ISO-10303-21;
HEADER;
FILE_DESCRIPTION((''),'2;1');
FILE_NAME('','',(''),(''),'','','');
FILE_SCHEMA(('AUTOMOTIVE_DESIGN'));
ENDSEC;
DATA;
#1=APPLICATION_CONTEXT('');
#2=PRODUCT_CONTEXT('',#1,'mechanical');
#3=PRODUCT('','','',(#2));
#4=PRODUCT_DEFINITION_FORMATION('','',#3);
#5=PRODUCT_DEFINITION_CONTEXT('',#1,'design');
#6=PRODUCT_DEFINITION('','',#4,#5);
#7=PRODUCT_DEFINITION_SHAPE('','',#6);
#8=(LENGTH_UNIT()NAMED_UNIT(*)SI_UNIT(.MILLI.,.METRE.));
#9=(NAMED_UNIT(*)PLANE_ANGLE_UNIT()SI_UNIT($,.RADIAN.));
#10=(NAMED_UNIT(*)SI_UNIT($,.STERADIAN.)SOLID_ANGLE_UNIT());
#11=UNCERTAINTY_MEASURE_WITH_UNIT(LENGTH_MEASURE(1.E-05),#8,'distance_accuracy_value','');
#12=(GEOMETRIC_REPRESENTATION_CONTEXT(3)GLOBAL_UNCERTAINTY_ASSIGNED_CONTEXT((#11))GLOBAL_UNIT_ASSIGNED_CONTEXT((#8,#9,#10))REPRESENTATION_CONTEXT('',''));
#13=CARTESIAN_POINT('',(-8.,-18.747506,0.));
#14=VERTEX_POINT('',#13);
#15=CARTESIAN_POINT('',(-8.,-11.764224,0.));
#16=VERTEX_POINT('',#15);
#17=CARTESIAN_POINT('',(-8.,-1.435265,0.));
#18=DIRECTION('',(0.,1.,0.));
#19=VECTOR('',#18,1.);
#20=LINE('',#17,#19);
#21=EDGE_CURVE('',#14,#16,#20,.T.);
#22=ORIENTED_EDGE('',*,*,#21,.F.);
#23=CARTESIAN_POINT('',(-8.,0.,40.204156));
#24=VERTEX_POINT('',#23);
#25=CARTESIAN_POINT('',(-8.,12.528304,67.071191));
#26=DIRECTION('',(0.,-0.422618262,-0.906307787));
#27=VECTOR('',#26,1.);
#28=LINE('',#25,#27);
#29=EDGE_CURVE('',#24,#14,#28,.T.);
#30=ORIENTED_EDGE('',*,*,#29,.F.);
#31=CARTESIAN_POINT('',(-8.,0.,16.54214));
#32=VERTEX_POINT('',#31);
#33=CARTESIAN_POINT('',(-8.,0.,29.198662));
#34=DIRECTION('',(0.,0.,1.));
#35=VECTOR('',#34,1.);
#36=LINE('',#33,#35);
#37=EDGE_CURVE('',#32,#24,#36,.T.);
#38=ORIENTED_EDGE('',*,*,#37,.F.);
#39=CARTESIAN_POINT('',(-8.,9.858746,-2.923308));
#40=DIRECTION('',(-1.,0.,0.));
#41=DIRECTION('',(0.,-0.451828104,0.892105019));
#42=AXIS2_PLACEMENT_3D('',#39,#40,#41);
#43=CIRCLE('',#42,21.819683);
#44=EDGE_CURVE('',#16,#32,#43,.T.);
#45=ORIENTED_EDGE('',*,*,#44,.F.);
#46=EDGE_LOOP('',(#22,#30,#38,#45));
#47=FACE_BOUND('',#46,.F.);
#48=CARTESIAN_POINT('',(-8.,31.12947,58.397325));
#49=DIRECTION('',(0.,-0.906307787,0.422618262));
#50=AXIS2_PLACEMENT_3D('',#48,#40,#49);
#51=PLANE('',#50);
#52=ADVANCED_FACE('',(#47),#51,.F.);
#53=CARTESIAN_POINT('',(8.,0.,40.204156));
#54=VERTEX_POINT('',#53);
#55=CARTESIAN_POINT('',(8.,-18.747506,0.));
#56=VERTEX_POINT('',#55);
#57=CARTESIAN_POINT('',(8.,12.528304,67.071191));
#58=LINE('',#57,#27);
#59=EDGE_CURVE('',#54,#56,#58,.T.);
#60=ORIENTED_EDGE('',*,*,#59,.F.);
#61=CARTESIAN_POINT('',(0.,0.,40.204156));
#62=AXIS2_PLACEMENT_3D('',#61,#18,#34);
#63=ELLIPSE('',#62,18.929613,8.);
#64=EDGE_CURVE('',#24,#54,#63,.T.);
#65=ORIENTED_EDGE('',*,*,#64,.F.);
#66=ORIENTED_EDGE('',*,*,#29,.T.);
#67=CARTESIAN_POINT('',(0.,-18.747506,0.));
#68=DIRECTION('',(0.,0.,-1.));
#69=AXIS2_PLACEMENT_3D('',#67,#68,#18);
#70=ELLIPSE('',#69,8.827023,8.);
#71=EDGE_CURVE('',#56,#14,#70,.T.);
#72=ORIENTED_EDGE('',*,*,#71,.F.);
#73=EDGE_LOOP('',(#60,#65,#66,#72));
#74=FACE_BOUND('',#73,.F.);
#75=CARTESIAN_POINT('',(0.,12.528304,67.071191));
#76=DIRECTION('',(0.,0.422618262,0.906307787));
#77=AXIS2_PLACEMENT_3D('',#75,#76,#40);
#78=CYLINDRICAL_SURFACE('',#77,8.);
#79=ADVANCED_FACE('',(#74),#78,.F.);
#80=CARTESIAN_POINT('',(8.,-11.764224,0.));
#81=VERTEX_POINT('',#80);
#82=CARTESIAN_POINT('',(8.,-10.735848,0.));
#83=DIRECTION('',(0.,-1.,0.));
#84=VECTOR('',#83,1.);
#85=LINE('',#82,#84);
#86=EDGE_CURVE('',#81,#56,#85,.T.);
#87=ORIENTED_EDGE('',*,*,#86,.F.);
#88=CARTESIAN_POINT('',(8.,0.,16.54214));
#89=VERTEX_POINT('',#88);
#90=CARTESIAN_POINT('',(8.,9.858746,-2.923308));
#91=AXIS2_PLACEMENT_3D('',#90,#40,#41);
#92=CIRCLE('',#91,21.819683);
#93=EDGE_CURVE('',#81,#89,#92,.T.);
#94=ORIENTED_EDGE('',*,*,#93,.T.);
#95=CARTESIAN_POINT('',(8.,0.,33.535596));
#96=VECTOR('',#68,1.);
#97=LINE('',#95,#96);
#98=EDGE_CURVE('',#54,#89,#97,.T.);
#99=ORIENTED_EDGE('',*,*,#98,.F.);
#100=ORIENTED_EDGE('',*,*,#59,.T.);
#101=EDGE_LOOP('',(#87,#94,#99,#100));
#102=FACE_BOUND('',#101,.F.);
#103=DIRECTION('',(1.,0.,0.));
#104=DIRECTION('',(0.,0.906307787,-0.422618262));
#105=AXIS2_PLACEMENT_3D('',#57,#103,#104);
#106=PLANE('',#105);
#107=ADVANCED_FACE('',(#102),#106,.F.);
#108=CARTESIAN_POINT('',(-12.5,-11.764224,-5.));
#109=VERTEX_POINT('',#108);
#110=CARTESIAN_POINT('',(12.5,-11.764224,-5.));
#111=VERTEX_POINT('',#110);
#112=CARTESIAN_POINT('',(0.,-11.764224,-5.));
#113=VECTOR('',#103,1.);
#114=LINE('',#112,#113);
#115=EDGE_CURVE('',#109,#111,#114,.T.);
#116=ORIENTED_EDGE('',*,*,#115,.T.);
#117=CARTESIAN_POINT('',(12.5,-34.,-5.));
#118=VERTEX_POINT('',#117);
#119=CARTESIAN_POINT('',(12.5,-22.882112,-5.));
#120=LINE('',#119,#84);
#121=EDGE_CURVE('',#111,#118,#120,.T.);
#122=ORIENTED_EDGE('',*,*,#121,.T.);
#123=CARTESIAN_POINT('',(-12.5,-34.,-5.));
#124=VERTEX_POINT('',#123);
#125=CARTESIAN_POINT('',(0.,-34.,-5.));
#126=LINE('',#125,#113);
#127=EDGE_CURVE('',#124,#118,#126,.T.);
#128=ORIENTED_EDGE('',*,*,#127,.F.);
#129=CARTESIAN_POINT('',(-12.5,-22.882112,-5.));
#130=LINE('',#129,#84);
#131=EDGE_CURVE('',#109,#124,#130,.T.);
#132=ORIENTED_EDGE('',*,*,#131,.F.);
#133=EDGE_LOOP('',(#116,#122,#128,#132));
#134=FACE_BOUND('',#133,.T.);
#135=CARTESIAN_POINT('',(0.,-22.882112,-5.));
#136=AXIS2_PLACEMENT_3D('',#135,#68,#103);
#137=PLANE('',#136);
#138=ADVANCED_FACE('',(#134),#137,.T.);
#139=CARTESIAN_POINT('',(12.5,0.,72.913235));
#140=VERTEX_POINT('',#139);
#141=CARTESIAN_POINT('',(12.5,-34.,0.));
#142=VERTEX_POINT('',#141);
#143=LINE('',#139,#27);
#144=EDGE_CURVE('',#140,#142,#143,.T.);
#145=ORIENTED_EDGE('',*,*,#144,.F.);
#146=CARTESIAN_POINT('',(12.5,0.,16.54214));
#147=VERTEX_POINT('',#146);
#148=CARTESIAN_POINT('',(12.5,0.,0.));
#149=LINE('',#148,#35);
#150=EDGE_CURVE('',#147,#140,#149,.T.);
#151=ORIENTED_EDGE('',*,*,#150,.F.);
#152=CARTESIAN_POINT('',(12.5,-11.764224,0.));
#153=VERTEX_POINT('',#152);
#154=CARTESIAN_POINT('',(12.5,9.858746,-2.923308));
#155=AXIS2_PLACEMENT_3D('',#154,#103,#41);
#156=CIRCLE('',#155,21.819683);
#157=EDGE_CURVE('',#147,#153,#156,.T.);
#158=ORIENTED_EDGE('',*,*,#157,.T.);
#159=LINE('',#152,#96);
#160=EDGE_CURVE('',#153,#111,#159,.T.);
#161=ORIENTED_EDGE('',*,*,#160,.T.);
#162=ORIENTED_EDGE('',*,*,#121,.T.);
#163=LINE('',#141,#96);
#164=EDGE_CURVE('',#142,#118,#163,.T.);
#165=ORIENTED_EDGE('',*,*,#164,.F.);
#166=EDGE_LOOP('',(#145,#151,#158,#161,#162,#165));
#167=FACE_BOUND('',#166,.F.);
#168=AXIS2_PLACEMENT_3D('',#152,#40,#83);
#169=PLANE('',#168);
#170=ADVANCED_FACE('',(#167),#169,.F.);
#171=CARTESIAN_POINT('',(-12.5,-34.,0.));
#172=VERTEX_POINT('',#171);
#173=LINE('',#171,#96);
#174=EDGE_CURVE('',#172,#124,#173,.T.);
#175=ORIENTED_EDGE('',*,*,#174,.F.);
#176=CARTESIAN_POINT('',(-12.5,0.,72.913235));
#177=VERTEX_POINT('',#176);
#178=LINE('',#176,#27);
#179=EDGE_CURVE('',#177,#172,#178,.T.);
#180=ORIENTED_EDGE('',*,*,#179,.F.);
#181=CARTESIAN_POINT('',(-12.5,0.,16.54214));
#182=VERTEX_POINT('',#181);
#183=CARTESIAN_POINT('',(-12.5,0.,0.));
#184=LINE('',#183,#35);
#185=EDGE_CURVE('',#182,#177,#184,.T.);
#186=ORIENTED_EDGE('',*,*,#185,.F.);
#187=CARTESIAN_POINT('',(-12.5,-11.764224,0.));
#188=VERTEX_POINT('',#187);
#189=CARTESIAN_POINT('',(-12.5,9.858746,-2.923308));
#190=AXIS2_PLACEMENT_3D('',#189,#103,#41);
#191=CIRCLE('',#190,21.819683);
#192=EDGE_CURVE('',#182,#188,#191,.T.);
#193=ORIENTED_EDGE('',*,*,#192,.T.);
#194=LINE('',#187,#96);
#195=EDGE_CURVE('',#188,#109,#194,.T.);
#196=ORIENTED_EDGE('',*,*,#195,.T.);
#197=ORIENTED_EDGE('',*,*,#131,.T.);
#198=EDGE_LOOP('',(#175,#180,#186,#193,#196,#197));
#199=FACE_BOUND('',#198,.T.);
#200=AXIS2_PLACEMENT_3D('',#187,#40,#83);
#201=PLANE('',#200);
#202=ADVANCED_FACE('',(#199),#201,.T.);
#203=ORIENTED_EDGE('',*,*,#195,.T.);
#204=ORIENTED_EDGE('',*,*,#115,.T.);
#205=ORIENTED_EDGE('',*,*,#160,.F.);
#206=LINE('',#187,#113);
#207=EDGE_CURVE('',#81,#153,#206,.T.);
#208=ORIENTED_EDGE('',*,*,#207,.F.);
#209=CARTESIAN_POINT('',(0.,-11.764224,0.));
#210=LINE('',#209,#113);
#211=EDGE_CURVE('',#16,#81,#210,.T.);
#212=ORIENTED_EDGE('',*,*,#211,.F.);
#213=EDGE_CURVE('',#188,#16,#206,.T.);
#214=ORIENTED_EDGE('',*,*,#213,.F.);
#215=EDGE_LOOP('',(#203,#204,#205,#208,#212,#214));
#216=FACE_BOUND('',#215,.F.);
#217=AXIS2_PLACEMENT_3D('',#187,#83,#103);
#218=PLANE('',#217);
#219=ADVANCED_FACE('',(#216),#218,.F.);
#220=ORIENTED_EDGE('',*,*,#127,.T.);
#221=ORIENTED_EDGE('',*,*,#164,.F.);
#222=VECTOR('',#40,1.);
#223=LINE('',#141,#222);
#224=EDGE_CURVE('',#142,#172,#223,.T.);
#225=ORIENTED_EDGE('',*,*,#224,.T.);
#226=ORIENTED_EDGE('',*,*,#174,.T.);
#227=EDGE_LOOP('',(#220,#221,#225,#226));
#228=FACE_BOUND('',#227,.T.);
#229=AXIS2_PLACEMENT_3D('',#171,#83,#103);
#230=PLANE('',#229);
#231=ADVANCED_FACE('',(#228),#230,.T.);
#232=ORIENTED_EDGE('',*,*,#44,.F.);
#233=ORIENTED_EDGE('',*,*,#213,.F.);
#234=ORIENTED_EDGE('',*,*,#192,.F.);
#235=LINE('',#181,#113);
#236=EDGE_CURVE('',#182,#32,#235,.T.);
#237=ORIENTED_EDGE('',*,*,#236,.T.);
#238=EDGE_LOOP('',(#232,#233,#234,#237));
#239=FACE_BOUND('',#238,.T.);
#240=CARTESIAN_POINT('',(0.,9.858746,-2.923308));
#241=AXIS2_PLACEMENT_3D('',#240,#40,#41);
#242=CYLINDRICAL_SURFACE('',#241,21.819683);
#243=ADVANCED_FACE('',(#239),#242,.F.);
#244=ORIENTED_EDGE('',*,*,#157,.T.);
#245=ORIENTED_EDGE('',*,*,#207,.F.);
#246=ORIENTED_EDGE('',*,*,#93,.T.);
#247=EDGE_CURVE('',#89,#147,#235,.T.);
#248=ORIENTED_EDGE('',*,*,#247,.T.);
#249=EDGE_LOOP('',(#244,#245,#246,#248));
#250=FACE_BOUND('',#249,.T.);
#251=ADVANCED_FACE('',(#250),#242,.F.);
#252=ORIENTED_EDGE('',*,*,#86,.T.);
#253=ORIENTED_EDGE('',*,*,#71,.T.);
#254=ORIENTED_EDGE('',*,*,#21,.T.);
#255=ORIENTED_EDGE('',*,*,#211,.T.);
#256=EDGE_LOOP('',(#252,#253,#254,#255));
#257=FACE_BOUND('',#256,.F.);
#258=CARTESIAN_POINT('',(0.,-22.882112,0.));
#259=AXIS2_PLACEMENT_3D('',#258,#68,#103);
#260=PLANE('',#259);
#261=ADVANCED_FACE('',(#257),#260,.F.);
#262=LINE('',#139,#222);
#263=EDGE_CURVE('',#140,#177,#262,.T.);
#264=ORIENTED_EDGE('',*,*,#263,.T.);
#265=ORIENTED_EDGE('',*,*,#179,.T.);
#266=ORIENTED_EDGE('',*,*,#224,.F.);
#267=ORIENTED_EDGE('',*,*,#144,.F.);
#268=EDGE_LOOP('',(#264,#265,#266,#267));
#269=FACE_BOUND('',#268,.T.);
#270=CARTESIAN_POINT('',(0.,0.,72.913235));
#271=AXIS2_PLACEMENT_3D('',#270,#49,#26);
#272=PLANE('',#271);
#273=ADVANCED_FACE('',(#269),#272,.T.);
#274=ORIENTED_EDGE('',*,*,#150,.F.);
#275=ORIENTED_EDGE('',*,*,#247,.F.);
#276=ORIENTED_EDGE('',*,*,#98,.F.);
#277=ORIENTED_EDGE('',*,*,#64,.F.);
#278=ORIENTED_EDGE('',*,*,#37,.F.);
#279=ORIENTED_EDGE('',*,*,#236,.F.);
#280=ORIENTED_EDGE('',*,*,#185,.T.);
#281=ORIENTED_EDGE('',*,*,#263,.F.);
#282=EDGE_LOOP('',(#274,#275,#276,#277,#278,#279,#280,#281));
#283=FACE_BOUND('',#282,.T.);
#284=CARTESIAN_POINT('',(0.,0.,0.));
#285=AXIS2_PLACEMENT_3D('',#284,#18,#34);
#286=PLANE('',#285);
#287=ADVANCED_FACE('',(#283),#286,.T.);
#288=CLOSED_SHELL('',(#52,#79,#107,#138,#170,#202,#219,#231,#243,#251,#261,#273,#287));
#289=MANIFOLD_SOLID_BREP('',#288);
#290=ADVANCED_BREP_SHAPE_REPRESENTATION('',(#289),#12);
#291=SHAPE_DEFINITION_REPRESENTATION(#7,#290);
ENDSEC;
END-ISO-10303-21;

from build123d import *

# Parameters (mm, degrees)
F1_DEPTH      = 12.5
F4_DEPTH      = 12.5
F4_DEPTH_BACK = 12.5
F6_DEPTH      = 78.7353324739
F7_W          = 25
F7_H          = 22.2357761898
F8_DEPTH      = 5


with BuildPart() as f1:
    # F0 (on Right) → F1 (new body, symmetric)
    with BuildSketch(Plane.YZ):
        Polygon((-34, 0), (0, 0), (0, 72.9132352973), align=None)
    extrude(amount=F1_DEPTH, both=True)

    # F3 (on Right) → F4 (cut, two sides)
    with BuildSketch(Plane.YZ) as f4_sk:
        with BuildLine():
            ThreePointArc((0, 16.5421399337), (-7.9228514216, 9.7223765395), (-11.7642238102, 0))
            Line((-11.7642238102, 0), (0, 0))
            Line((0, 0), (0, 16.5421399337))
        make_face()
    extrude(amount=-F4_DEPTH, mode=Mode.SUBTRACT)
    extrude(f4_sk.sketch, amount=F4_DEPTH_BACK, mode=Mode.SUBTRACT)

    # F5 (on face) → F6 (cut, up to face)
    with BuildSketch(Plane(origin=(0, 27.9273893647, 59.8904797643), x_dir=(1, 0, 0), z_dir=(0, 0.4226182617, 0.906307787))):
        with BuildLine():
            Line((-8, 3.5331053375), (-8, -16.9910104243))
            ThreePointArc((-8, -16.9910104243), (0, -24.9910104243), (8, -16.9910104243))
            Line((8, -16.9910104243), (8, 3.5331053375))
            Line((8, 3.5331053375), (-8, 3.5331053375))
        make_face()
    extrude(amount=-F6_DEPTH, mode=Mode.SUBTRACT)

    # F7 (on face) → F8 (join)
    with BuildSketch(Plane(origin=(0, 0, 0), x_dir=(1, 0, 0), z_dir=(0, 0, -1))):
        with Locations((0, 22.8821119051)):
            Rectangle(F7_W, F7_H)
    extrude(amount=F8_DEPTH)


solid = f1.part
